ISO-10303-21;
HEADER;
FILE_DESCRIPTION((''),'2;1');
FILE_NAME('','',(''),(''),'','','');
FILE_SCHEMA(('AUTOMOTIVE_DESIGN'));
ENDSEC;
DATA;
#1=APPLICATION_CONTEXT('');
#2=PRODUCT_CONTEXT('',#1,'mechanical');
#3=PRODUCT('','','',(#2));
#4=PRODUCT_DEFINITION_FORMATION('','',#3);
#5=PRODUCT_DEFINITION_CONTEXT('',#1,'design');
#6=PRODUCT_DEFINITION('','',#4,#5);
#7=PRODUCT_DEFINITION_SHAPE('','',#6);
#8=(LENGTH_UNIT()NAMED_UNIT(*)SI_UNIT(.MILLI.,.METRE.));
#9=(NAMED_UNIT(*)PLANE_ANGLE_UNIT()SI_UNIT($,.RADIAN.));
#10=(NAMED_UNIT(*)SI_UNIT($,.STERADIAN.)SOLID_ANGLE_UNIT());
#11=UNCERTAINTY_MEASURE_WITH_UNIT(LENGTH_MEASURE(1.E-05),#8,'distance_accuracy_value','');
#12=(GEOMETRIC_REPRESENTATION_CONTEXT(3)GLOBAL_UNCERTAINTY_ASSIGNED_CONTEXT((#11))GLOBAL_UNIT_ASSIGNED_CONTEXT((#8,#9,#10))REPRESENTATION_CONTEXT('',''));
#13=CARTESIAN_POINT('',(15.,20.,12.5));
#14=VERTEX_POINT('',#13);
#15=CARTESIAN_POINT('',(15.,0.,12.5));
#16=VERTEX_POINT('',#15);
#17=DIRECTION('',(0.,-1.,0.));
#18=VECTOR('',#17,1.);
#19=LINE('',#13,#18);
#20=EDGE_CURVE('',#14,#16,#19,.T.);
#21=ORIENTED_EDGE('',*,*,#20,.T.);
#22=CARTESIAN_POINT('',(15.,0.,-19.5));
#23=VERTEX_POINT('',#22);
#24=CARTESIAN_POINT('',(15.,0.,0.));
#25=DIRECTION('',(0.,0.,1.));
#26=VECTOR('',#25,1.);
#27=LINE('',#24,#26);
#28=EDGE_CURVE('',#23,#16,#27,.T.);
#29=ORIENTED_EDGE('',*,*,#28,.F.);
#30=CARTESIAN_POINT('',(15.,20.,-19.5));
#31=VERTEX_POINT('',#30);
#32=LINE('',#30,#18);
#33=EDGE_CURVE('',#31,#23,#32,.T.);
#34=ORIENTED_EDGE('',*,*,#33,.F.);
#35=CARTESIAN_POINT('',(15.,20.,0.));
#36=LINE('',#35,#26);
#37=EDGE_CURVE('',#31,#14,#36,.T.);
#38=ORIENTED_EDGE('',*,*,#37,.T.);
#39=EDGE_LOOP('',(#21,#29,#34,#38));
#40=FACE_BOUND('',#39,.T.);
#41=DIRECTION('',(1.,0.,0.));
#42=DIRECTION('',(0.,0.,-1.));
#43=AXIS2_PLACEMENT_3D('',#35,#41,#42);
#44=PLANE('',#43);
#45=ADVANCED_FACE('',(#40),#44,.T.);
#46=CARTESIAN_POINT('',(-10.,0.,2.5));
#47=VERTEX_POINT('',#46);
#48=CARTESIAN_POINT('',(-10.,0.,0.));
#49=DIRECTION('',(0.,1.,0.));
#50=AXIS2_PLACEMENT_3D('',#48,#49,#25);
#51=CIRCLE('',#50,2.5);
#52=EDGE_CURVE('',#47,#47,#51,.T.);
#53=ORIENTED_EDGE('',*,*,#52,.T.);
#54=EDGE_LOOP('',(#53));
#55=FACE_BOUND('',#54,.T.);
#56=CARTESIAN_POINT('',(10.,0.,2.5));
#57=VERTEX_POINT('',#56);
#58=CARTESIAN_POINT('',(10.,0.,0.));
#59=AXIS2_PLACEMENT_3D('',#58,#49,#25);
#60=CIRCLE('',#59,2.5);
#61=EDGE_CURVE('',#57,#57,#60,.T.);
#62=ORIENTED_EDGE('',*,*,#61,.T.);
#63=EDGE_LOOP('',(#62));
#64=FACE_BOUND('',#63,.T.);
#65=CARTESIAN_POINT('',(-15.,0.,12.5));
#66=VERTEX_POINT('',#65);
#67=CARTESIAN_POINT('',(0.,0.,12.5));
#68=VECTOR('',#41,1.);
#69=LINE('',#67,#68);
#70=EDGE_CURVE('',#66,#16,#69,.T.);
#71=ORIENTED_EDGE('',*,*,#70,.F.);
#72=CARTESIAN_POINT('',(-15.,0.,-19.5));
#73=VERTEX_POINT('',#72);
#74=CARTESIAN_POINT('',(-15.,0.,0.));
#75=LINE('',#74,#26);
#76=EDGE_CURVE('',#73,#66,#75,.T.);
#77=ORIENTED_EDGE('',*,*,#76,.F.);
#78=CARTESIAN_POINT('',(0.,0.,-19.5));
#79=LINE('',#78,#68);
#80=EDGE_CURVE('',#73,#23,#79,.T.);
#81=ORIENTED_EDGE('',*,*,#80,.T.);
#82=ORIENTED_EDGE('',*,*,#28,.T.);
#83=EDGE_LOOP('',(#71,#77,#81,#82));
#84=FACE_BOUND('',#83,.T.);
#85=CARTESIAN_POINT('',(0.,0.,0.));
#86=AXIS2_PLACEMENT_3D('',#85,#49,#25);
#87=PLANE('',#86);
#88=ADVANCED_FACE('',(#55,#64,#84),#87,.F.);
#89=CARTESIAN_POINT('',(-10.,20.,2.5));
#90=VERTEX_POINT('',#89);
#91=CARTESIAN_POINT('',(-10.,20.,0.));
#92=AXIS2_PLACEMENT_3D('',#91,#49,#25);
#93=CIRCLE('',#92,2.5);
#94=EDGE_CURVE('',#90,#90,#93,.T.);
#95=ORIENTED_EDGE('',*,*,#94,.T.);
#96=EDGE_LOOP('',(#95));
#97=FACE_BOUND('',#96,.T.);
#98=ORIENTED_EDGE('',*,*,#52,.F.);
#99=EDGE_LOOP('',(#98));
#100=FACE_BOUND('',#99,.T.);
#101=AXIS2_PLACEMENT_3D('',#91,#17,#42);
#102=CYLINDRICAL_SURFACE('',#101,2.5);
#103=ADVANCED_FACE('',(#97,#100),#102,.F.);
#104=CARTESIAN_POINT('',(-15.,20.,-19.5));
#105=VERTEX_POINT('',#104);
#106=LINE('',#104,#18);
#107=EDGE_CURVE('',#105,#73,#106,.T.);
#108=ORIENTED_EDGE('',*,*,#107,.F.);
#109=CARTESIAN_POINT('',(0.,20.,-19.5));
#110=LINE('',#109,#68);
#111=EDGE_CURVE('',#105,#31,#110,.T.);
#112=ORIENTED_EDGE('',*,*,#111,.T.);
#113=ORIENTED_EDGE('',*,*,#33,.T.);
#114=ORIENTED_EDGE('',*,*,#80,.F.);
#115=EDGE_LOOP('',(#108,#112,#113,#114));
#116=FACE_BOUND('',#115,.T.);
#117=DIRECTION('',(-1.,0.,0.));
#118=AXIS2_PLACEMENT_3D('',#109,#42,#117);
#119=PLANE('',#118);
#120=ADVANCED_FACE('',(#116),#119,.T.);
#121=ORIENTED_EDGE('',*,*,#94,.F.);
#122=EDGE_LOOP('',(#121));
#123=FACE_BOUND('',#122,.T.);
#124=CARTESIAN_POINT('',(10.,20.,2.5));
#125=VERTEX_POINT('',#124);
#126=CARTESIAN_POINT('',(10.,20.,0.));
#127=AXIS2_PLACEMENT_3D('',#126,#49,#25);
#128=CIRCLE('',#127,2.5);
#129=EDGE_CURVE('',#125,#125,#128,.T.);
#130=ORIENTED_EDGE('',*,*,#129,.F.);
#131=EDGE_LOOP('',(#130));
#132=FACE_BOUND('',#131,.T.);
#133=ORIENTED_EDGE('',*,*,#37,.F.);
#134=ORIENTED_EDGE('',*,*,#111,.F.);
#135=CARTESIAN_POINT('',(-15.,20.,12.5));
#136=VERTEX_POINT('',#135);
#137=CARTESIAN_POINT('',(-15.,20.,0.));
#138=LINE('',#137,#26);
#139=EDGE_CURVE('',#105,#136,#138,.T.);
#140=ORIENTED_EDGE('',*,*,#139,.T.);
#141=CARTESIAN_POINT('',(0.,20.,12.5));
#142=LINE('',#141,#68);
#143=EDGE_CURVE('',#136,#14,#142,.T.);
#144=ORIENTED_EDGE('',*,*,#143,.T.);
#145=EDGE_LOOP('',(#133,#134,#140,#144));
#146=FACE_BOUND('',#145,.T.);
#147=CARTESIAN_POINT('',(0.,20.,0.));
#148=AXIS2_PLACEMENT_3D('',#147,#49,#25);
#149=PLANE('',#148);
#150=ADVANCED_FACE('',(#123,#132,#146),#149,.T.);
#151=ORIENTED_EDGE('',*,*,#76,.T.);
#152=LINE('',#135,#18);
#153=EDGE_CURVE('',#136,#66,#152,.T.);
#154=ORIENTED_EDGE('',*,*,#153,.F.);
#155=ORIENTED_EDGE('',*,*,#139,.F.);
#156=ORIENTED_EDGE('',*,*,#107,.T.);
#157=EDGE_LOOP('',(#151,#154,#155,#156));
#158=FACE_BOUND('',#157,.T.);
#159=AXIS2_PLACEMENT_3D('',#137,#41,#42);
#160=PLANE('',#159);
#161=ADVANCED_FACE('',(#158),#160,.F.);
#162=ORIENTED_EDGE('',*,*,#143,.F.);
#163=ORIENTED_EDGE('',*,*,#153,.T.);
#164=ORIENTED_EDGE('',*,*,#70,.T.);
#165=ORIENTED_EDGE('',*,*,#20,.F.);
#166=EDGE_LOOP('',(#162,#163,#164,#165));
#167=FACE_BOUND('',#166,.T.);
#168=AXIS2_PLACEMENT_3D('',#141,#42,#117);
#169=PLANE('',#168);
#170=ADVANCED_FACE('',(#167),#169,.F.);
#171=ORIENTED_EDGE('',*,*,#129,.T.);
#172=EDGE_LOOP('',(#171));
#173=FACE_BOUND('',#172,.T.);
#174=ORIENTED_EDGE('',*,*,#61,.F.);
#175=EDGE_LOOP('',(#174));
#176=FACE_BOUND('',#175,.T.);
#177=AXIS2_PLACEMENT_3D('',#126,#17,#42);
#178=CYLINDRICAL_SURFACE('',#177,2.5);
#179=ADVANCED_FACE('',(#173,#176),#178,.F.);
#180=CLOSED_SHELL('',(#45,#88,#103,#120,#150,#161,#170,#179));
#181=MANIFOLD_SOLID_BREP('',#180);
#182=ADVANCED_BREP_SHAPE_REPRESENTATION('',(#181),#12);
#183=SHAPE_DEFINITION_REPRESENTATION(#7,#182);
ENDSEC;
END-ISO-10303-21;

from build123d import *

# Parameters (mm, degrees)
SKETCH1_W           = 30
SKETCH1_H           = 22
SKETCH1_H_2         = 32
SKETCH1_R           = 2.5
BOSS_EXTRUDE1_DEPTH = 20


with BuildPart() as part:
    # Sketch1 → Boss-Extrude1 (new body)
    # profile 1 of 2: a face of its own
    with BuildSketch(Plane(origin=(0, 0, 0), x_dir=(1, 0, 0), z_dir=(0, 1, 0))):
        with Locations((0, 3.5)):
            Rectangle(SKETCH1_W, SKETCH1_H)
        with BuildLine():
            ThreePointArc((-7.5, -2.5), (-10, -5), (-12.5, -2.5))
            Line((-12.5, -2.5), (-12.5, 0))
            Line((-12.5, 0), (-12.5, 2.5))
            ThreePointArc((-12.5, 2.5), (-10, 5), (-7.5, 2.5))
            Line((-7.5, 2.5), (-7.5, 0))
            Line((-7.5, 0), (-7.5, -2.5))
        make_face(mode=Mode.SUBTRACT)
        with BuildLine():
            ThreePointArc((12.5, -2.5), (10, -5), (7.5, -2.5))
            Line((7.5, -2.5), (7.5, 0))
            Line((7.5, 0), (7.5, 2.5))
            ThreePointArc((7.5, 2.5), (10, 5), (12.5, 2.5))
            Line((12.5, 2.5), (12.5, 0))
            Line((12.5, 0), (12.5, -2.5))
        make_face(mode=Mode.SUBTRACT)
    # profile 2 of 2: a face of its own
    with BuildSketch(Plane(origin=(0, 0, 0), x_dir=(1, 0, 0), z_dir=(0, 1, 0))):
        with Locations((0, 3.5)):
            Rectangle(SKETCH1_W, SKETCH1_H_2)
        with Locations(Location((10, 0, 0), (0, 0, 270))):
            Circle(SKETCH1_R, mode=Mode.SUBTRACT)
        with Locations(Location((-10, 0, 0), (0, 0, 270))):
            Circle(SKETCH1_R, mode=Mode.SUBTRACT)
    extrude(amount=BOSS_EXTRUDE1_DEPTH)


solid = part.part
